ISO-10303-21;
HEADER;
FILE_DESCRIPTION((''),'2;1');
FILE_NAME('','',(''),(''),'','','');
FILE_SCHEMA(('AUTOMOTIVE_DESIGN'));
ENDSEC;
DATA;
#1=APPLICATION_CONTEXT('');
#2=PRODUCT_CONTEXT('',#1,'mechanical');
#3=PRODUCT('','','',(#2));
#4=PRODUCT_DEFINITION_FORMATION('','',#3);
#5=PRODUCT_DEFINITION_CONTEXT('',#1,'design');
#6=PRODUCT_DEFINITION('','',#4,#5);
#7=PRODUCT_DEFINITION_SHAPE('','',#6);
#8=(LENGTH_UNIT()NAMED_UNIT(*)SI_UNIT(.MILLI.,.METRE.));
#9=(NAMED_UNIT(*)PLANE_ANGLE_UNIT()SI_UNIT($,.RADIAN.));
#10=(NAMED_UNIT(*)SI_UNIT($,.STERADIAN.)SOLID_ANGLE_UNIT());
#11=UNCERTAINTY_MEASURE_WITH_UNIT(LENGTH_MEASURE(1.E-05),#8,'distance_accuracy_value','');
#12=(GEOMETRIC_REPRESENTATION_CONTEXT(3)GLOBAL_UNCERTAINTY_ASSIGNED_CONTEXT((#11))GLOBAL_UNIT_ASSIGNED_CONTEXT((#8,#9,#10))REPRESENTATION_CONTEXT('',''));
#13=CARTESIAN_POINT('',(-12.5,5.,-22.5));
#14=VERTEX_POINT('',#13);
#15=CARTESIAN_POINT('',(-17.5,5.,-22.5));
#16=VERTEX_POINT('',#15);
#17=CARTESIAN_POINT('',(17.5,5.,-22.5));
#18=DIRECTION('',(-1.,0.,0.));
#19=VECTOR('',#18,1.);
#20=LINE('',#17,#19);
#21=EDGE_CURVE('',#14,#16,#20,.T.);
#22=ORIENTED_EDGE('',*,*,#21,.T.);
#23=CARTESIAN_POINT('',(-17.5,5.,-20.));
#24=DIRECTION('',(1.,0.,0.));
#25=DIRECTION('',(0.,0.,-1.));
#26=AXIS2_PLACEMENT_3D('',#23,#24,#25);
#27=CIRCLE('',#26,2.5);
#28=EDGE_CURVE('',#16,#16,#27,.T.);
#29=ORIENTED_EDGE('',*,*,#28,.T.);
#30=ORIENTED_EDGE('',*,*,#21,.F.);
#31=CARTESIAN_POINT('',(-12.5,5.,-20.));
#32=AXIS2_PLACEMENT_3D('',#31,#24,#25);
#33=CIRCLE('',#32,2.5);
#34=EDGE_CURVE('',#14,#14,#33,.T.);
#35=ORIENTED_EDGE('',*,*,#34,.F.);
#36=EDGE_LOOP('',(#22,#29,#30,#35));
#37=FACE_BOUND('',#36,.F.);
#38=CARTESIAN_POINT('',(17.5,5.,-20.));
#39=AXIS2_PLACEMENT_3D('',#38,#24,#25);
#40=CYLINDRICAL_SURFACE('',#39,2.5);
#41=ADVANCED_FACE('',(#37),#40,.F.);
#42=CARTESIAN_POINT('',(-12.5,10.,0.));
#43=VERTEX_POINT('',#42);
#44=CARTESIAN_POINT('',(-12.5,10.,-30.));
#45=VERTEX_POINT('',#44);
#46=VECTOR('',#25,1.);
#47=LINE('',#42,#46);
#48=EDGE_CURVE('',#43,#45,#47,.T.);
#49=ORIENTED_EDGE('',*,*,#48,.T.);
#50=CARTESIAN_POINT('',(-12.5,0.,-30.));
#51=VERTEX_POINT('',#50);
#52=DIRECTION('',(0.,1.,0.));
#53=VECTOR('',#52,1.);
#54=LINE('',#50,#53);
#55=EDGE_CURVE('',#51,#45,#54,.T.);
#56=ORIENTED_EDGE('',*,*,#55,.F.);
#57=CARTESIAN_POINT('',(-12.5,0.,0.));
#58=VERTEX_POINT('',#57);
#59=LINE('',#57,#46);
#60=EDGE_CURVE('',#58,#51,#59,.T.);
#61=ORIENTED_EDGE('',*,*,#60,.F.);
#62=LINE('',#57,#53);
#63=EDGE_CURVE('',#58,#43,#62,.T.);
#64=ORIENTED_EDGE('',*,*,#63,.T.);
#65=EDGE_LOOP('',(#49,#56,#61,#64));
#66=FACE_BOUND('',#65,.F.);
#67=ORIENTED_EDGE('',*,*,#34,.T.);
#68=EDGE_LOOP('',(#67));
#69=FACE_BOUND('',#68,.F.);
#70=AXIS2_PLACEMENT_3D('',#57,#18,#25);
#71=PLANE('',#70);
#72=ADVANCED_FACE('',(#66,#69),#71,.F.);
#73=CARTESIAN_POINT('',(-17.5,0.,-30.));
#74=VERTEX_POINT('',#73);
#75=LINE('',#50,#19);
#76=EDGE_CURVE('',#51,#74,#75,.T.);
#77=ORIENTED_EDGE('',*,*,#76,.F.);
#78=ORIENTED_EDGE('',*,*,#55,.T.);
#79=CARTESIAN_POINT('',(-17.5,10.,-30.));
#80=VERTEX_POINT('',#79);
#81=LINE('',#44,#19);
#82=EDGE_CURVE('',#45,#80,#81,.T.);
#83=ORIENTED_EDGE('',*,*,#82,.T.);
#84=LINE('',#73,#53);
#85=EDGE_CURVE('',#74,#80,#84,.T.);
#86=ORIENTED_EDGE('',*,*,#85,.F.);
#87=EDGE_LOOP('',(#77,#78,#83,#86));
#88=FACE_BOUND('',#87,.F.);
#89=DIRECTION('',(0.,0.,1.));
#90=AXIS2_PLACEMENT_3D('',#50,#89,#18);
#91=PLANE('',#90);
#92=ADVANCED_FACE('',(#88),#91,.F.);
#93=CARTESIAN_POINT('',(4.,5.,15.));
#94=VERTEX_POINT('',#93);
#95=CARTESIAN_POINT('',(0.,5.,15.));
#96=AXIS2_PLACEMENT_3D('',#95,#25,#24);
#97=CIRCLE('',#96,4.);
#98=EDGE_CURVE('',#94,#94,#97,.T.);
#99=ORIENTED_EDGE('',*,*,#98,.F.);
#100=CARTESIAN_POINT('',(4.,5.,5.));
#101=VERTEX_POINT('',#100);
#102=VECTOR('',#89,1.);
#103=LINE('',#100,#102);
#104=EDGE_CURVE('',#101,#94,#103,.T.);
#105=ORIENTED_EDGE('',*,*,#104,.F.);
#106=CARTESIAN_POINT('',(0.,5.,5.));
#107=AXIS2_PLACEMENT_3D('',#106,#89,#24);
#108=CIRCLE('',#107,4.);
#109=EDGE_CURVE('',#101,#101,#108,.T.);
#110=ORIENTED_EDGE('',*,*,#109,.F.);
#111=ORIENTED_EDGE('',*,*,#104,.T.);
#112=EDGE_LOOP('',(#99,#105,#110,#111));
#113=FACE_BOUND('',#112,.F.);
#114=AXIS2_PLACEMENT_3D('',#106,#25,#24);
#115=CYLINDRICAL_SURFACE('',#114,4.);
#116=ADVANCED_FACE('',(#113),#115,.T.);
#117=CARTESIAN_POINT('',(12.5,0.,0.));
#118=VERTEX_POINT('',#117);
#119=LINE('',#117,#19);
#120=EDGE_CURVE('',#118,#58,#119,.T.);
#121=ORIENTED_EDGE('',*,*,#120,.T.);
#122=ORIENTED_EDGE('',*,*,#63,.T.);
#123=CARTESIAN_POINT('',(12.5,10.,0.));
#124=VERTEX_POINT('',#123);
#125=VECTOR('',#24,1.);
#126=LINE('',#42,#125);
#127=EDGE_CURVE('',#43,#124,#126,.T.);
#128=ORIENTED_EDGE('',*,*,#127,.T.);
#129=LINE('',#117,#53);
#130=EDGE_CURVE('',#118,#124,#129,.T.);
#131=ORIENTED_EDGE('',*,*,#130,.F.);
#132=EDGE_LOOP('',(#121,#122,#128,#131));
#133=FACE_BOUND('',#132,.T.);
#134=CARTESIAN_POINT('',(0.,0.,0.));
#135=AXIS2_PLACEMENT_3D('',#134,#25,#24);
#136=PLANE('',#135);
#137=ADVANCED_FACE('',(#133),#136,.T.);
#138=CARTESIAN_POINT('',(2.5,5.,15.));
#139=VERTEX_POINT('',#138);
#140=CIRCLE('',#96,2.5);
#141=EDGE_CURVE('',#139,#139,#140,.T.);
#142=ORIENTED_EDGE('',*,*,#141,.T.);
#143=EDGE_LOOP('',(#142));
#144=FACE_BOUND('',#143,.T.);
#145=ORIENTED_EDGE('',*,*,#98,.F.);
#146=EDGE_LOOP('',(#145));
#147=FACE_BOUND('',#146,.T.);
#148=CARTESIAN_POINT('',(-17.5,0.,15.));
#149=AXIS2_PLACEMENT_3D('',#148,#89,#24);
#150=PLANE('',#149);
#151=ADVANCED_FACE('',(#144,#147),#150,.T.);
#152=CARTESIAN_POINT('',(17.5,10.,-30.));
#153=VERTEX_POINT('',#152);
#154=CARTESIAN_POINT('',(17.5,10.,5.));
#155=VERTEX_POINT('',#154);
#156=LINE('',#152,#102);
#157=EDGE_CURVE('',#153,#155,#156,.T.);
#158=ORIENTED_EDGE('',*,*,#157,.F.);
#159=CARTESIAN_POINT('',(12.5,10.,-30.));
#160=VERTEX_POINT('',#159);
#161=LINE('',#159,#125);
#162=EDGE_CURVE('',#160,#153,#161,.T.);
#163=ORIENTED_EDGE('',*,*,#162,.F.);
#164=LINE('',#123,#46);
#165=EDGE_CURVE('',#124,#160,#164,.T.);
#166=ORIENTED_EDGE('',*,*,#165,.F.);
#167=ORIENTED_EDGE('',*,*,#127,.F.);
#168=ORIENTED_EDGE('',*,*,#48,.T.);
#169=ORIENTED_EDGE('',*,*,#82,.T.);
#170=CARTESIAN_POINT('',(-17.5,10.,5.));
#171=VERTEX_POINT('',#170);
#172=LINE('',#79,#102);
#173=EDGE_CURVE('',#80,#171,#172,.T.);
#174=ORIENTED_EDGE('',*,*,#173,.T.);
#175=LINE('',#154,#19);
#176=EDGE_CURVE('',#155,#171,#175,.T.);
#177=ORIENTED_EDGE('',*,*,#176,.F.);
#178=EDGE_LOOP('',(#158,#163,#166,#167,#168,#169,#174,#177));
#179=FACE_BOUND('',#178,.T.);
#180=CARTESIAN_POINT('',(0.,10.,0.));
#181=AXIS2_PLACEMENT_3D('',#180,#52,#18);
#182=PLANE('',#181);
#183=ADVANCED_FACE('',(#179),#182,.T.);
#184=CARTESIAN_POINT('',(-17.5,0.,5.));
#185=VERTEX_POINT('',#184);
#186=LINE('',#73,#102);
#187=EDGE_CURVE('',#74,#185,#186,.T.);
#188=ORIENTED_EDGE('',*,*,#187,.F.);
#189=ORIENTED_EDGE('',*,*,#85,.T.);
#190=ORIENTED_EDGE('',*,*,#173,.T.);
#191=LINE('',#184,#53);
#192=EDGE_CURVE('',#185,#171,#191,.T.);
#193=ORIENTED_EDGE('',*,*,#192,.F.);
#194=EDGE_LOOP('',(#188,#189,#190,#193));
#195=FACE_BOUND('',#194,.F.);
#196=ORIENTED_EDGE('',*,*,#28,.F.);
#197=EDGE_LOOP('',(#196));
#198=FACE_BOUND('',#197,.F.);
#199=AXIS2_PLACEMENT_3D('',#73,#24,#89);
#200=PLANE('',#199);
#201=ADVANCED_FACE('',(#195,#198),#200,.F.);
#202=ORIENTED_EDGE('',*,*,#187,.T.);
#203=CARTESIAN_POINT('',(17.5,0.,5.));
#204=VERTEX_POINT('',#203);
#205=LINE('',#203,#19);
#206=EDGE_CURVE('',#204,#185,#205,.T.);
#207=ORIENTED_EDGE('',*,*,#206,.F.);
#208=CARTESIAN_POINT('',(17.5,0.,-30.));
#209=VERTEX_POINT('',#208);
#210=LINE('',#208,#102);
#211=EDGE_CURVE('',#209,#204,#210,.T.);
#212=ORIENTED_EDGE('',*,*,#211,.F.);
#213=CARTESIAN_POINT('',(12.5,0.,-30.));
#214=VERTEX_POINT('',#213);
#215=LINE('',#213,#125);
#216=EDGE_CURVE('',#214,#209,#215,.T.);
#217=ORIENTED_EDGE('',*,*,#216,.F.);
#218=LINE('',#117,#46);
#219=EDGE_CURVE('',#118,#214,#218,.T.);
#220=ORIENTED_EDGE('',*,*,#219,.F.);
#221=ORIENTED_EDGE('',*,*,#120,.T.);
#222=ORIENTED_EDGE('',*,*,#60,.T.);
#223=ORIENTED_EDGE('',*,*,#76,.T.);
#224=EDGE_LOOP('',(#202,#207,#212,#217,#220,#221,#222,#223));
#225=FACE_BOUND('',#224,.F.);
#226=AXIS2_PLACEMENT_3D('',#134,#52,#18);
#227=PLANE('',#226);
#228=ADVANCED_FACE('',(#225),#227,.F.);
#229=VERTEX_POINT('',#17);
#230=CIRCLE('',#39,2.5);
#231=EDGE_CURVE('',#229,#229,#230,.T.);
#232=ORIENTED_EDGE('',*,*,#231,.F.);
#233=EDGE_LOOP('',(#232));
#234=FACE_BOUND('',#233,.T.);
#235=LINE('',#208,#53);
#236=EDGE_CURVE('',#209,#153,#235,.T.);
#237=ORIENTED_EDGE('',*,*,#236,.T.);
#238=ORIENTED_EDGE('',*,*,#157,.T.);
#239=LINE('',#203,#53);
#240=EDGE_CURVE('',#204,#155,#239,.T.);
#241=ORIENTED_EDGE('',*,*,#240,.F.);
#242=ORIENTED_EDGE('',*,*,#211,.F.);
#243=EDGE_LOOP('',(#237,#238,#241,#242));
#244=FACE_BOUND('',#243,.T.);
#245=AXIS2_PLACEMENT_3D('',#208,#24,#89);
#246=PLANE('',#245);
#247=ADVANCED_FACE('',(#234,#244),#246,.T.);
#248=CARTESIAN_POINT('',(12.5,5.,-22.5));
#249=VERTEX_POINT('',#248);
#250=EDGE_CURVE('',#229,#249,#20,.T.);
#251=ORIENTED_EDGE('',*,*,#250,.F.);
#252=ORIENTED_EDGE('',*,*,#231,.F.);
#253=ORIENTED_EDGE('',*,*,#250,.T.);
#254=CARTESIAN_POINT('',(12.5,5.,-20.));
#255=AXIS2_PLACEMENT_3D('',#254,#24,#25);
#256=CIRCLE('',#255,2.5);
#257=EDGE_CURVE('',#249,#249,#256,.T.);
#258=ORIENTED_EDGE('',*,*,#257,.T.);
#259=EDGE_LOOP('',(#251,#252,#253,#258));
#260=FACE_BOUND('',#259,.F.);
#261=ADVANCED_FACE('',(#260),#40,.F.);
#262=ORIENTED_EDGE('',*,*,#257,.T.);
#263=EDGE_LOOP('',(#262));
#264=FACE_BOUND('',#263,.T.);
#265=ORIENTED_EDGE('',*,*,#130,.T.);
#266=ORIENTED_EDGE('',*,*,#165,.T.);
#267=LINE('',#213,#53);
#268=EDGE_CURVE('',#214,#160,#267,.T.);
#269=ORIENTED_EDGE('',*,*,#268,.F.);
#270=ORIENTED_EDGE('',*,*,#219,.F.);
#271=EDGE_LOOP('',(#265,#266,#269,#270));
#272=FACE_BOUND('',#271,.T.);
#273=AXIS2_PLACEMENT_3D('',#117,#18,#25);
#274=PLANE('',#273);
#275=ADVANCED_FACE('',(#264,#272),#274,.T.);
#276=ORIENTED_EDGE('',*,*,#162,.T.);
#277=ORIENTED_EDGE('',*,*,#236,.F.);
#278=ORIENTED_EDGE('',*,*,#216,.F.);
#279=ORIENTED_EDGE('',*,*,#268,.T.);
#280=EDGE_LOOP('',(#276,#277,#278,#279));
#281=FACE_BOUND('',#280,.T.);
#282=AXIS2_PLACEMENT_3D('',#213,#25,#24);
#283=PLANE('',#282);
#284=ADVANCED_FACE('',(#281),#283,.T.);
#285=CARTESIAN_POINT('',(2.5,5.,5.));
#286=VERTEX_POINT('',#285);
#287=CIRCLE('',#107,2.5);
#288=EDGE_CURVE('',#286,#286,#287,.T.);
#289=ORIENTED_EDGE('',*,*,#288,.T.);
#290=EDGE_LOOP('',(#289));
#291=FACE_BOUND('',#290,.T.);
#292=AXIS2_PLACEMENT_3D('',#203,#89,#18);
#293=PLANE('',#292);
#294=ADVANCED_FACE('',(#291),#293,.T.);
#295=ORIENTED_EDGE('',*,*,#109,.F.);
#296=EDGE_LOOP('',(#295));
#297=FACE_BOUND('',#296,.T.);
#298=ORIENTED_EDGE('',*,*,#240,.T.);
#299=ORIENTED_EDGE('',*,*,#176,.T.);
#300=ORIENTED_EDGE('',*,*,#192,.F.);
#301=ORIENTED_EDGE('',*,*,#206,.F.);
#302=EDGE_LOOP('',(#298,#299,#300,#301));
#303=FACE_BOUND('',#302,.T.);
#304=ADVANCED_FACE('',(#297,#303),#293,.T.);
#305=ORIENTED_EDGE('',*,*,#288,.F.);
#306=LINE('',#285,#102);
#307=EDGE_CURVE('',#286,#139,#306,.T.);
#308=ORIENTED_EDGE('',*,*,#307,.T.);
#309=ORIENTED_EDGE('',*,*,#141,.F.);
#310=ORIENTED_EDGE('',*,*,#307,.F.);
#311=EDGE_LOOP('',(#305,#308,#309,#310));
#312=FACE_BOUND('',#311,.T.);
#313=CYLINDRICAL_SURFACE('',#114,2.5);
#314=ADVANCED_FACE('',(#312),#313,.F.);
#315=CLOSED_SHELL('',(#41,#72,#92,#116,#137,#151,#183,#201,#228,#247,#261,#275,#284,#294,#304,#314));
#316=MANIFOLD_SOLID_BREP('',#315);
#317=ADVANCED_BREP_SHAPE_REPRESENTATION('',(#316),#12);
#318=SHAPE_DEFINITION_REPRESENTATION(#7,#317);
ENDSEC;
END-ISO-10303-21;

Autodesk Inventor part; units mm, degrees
ref_plane "YZ Plane" through (0, 0, 0) normal (1, 0, 0) x (0, 1, 0)
ref_plane "XZ Plane" through (0, 0, 0) normal (0, 1, 0) x (-1, 0, 0)
ref_plane "XY Plane" through (0, 0, 0) normal (0, 0, 1) x (1, 0, 0)
sketch "Sketch1" plane through (0, 0, 0) normal (0, 1, 0) x (-1, 0, 0)
  line L0 (0, 0) -> (-12.5, 0)
  line L1 (0, 0) -> (12.5, 0)
  line L2 (12.5, 0) -> (12.5, -30)
  line L3 (-12.5, 0) -> (-12.5, -30)
  line L4 (12.5, -30) -> (17.5, -30)
  line L5 (17.5, -30) -> (17.5, 5)
  line L6 (-12.5, -30) -> (-17.5, -30)
  line L7 (-17.5, -30) -> (-17.5, 5)
  line L8 (-17.5, 5) -> (17.5, 5)
  dimension "d0" = 12.5
  dimension "d1" = 12.5
  dimension "d2" = 30
  dimension "d3" = 30
  dimension "d4" = 5
  dimension "d5" = 35
  dimension "d6" = 5
  dimension "d7" = 35
extrude "Extrusion1" add sketch "Sketch1" along normal blind 10
sketch "Sketch2" plane through (17.5, 0, 5) normal (1, 0, 0) x (0, 0, -1)
  line L0 (35, 0) -> (35, 10) projected
  line L1 (35, 5) -> (25, 5)
  circle A0 centre (25, 5) radius 2.5
  point P0 (5, 0)
  dimension "d10" = 10
  dimension "d11" = 5
extrude "Extrusion2" cut sketch "Sketch2" against normal blind 35
sketch "Sketch3" plane through (-17.5, 0, 5) normal (0, 0, 1) x (1, 0, 0)
  line L0 (5, 10) -> (0, 10) projected
  line L1 (30, 0) -> (35, 0) projected
  line L2 (0, 10) -> (35, 0)
  circle A0 centre (17.5, 5) radius 4
  circle A1 centre (17.5, 5) radius 2.5
  point P0 (17.5, 0)
  dimension "d14" = 8
  dimension "d15" = 5
extrude "Extrusion3" add sketch "Sketch3" along normal blind 10 contours A0 L2 A1 | L2 A1 A0
properties part number "BaseFork"
